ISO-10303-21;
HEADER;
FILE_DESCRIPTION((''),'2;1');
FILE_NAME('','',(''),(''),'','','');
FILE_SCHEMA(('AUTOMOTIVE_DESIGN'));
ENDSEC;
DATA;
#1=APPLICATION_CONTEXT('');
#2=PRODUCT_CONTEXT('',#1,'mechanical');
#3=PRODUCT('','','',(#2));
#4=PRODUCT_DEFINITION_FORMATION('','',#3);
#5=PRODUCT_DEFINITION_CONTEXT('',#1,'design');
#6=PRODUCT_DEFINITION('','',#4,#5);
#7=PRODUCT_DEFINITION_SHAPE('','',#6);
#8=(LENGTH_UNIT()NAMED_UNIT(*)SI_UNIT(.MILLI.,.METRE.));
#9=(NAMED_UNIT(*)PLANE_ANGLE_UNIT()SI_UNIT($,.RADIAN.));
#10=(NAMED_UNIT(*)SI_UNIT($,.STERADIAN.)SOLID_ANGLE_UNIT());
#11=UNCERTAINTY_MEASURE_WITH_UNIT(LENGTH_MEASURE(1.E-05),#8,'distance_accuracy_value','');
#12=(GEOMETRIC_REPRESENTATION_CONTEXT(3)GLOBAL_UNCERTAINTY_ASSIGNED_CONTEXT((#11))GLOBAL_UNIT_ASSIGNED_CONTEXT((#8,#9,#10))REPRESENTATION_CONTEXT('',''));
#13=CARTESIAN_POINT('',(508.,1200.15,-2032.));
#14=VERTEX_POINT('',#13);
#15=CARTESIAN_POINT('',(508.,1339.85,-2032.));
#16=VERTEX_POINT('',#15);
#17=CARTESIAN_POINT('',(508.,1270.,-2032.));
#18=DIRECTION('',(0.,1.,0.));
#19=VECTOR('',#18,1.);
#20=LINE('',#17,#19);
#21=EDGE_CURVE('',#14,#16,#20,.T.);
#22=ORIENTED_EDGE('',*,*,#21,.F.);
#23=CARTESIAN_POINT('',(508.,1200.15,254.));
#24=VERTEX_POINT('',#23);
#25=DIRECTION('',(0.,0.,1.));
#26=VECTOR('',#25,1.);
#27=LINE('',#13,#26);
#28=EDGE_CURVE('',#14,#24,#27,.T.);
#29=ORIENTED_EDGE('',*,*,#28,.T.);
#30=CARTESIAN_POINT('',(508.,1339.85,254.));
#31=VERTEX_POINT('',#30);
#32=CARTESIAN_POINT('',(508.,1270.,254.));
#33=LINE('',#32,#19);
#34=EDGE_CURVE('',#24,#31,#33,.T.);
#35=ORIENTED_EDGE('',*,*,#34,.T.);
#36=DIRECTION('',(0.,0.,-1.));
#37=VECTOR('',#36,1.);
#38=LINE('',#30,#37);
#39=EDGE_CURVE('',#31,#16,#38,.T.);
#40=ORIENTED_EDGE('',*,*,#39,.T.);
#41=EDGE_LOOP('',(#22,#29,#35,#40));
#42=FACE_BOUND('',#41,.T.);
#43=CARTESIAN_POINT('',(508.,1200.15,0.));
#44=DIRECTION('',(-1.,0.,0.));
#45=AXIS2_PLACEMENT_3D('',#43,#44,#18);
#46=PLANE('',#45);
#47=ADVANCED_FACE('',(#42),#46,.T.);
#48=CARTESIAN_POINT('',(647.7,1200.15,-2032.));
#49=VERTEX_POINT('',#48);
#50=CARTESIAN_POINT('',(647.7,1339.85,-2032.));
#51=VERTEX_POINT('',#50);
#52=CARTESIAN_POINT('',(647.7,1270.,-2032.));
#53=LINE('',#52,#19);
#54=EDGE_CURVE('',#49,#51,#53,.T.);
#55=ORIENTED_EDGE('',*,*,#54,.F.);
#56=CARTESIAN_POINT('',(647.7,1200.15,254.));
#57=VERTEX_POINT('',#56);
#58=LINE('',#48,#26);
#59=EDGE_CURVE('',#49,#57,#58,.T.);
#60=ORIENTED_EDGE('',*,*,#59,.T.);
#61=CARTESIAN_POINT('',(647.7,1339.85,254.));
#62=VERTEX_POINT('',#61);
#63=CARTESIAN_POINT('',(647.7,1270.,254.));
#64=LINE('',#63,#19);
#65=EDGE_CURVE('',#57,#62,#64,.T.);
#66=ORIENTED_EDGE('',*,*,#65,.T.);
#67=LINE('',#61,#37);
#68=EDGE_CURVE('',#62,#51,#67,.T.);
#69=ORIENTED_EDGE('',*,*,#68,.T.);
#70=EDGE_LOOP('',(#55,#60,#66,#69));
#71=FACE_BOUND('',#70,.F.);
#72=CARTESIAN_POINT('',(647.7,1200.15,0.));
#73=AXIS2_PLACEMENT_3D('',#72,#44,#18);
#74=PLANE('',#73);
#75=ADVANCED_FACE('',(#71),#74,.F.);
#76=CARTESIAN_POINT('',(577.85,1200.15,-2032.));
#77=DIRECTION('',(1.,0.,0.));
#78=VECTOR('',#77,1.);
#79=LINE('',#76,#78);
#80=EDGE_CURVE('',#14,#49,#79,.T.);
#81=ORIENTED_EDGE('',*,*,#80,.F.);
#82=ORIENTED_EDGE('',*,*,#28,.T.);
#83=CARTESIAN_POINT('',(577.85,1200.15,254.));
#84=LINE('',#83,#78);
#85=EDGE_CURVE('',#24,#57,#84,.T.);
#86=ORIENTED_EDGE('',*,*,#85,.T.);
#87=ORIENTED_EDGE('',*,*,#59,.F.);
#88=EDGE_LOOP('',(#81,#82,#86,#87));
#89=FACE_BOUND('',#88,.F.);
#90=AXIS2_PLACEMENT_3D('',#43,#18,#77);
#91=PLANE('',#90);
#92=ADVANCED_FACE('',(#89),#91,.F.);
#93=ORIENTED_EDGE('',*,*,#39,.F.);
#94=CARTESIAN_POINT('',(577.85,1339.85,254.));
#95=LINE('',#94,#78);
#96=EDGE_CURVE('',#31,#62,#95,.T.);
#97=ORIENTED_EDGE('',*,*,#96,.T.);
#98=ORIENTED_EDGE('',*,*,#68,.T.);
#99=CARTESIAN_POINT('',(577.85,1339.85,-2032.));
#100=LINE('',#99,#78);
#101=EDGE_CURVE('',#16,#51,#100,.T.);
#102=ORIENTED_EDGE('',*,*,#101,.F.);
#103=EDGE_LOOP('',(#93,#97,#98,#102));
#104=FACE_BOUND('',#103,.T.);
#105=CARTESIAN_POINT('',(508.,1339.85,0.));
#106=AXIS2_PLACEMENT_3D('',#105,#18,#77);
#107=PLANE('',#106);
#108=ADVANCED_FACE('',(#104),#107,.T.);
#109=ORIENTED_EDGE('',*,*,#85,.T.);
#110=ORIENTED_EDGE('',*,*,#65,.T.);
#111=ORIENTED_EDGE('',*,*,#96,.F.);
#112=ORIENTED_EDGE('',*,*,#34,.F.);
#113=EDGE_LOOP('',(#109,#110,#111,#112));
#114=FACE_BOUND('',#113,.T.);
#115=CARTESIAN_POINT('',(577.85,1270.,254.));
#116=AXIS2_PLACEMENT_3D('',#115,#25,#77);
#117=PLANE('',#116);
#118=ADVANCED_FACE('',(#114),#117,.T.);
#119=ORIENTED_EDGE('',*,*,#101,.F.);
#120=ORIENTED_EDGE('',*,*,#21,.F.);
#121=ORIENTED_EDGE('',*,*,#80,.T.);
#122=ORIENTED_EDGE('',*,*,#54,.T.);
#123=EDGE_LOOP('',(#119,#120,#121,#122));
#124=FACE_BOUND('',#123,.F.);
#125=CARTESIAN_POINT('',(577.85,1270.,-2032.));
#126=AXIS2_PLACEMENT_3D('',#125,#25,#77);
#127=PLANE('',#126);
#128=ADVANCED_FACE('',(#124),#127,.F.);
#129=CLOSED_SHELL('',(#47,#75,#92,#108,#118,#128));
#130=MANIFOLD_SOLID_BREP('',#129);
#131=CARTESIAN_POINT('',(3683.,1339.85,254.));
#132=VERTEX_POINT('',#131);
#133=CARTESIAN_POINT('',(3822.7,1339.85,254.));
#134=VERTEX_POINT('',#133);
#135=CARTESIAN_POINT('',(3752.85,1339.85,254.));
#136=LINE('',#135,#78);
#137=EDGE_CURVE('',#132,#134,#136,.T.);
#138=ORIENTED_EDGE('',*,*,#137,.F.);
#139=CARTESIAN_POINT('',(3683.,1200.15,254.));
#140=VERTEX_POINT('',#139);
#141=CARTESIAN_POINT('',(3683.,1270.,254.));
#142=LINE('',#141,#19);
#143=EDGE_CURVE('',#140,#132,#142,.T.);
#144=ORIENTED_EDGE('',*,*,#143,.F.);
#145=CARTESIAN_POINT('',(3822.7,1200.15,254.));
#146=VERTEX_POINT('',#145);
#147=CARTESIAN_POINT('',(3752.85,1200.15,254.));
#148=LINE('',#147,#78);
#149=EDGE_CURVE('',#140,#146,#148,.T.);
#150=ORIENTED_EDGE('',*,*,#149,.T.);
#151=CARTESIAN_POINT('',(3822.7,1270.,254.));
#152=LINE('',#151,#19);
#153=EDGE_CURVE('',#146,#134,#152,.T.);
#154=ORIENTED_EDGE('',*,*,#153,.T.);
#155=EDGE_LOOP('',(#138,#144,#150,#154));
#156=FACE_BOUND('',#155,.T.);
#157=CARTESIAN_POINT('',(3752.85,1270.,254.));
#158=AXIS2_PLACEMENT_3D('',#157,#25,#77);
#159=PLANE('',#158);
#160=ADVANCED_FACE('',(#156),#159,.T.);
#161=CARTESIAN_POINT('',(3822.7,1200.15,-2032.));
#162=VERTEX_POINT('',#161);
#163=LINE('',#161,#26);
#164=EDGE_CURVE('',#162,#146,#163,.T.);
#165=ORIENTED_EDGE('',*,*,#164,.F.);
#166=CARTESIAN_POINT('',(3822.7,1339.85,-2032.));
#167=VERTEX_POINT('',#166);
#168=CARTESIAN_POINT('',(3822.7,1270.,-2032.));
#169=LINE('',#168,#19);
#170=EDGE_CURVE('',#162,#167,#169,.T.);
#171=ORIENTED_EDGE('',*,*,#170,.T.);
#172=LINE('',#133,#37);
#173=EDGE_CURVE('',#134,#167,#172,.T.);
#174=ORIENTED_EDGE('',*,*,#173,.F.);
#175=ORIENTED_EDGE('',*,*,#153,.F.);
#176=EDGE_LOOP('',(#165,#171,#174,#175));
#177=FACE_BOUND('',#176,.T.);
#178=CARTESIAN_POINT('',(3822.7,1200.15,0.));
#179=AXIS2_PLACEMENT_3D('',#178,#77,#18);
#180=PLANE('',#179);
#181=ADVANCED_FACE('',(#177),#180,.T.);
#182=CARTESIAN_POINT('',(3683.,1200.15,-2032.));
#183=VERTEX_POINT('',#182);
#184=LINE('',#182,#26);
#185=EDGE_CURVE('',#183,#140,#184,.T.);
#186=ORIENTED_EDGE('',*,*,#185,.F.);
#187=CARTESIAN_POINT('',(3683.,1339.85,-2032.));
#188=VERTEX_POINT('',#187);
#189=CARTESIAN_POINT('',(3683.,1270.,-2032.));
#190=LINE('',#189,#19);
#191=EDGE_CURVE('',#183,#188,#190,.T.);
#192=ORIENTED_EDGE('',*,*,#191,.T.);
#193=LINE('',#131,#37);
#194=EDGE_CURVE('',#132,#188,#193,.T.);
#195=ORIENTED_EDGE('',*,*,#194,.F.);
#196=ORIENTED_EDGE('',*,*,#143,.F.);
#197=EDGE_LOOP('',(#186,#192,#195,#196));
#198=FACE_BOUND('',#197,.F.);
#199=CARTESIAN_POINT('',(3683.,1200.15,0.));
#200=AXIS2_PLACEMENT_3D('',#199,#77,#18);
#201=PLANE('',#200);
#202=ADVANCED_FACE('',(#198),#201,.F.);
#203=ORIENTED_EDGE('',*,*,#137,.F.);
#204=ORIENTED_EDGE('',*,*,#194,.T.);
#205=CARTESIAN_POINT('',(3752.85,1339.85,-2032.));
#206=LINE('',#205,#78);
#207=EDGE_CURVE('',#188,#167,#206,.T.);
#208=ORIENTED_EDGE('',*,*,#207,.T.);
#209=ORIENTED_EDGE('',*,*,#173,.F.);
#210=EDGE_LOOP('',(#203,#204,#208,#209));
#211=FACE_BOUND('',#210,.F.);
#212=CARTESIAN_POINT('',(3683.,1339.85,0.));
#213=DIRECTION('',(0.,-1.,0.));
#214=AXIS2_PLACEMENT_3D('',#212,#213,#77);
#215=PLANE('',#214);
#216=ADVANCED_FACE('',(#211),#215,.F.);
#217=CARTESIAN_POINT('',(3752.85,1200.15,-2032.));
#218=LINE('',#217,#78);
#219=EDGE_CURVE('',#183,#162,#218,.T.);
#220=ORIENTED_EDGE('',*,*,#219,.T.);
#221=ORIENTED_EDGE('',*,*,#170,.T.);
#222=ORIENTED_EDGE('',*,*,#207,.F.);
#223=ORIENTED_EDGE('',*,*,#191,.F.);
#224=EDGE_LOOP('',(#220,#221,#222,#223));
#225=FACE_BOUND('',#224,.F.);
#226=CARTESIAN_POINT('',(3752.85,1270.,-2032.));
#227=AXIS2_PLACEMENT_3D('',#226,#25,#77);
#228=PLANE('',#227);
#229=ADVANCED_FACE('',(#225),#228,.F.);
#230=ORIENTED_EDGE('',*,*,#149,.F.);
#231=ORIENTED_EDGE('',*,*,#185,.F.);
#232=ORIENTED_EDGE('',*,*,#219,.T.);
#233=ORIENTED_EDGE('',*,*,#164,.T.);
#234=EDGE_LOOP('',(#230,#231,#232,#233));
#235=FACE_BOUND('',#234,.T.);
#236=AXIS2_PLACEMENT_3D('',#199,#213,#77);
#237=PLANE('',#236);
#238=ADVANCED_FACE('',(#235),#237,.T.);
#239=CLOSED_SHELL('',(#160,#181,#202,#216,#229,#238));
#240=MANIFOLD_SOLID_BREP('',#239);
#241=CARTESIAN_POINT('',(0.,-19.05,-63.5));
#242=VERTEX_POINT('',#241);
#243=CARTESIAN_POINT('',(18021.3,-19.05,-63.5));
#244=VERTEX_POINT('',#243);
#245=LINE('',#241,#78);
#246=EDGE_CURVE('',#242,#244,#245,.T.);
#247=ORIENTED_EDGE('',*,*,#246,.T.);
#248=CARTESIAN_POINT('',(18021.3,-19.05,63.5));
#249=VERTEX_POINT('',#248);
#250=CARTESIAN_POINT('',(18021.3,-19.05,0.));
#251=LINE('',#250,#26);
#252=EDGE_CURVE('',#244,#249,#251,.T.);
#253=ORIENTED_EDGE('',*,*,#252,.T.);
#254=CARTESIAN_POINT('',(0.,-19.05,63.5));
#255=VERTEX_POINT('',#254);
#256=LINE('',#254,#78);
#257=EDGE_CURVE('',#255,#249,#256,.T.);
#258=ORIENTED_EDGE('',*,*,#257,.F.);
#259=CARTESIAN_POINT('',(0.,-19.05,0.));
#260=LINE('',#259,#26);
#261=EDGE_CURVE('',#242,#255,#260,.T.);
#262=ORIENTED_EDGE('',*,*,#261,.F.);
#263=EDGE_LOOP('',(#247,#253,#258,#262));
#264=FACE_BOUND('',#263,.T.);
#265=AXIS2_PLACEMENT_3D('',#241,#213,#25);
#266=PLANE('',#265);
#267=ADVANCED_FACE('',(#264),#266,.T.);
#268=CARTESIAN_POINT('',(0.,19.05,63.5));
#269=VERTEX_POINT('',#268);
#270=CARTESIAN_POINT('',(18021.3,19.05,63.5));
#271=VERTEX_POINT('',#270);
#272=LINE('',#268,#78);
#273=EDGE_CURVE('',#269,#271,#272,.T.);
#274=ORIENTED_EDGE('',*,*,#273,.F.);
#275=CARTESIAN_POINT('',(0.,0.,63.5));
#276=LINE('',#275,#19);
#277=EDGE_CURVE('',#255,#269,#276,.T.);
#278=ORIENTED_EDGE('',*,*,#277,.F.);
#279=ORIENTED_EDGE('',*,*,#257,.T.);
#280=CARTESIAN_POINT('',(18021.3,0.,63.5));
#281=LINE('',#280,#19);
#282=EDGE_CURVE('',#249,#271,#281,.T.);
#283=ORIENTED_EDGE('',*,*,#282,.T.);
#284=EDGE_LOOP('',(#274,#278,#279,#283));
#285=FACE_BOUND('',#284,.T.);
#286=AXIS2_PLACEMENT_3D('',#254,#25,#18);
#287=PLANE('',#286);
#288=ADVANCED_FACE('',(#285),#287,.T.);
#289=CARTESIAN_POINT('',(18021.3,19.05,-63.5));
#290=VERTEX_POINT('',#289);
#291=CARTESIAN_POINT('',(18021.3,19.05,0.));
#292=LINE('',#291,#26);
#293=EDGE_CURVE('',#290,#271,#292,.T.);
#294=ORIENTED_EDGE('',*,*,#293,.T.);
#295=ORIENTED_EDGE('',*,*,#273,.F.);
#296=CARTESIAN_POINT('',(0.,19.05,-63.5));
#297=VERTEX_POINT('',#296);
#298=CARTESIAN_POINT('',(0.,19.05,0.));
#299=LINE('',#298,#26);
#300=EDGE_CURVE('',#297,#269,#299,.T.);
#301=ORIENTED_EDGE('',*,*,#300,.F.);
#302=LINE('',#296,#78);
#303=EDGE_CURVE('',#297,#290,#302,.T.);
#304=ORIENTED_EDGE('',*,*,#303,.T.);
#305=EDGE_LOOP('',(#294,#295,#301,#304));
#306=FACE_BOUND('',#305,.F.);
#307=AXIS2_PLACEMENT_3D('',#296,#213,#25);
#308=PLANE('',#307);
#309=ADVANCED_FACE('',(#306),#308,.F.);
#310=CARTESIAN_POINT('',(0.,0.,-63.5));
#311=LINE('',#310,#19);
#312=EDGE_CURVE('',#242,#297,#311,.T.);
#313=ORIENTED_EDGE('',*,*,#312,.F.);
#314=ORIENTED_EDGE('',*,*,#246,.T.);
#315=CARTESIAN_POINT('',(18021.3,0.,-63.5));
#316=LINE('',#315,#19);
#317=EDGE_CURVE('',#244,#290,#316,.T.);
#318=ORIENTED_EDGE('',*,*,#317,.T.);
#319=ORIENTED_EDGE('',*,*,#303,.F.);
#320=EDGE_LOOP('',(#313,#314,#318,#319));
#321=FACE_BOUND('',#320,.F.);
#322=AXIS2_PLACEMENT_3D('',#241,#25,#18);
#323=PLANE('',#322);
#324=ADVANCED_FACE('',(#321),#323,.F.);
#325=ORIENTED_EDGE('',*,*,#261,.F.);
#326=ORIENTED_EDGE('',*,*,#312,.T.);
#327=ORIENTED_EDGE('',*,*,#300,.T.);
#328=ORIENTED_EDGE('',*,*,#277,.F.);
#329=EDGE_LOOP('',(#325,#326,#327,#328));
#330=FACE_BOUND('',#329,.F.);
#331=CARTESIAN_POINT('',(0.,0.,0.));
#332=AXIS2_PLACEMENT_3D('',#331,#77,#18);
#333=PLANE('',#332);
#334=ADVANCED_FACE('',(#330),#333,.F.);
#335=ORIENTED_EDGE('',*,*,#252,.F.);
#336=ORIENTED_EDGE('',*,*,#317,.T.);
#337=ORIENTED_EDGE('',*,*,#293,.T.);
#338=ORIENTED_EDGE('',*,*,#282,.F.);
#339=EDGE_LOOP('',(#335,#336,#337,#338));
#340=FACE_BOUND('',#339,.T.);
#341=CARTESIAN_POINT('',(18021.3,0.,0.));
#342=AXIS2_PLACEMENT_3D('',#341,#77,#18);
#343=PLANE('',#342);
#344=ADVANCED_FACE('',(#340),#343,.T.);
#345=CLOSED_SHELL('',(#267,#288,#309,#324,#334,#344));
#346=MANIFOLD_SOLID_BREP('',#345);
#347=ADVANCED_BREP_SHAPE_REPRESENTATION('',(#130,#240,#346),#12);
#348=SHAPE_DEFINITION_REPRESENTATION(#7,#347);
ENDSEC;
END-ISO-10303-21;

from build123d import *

# Parameters (mm, degrees)
F0_W          = 38.1
F0_H          = 127
F1_DEPTH      = 18021.3
F2_W          = 139.7
F2_H          = 139.7
F3_DEPTH      = 2032
F3_DEPTH_BACK = 254
F4_W          = 139.7
F4_H          = 139.7
F5_DEPTH      = 254
F5_DEPTH_BACK = 2032


with BuildPart() as f1:
    # F0 (on Right) → F1 (new body)
    with BuildSketch(Plane.YZ):
        Rectangle(F0_W, F0_H)
    extrude(amount=F1_DEPTH)


with BuildPart() as f3:
    # F2 (on Top) → F3 (new body, two sides)
    with BuildSketch(Plane.XY) as f3_sk:
        with Locations((577.85, 1270)):
            Rectangle(F2_W, F2_H)
    extrude(amount=-F3_DEPTH)
    extrude(f3_sk.sketch, amount=F3_DEPTH_BACK)


with BuildPart() as f5:
    # F4 (on Top) → F5 (new body, two sides)
    with BuildSketch(Plane.XY) as f5_sk:
        with Locations((3752.85, 1270)):
            Rectangle(F4_W, F4_H)
    extrude(amount=F5_DEPTH)
    extrude(f5_sk.sketch, amount=-F5_DEPTH_BACK)


solid = Compound([f1.part, f3.part, f5.part])
